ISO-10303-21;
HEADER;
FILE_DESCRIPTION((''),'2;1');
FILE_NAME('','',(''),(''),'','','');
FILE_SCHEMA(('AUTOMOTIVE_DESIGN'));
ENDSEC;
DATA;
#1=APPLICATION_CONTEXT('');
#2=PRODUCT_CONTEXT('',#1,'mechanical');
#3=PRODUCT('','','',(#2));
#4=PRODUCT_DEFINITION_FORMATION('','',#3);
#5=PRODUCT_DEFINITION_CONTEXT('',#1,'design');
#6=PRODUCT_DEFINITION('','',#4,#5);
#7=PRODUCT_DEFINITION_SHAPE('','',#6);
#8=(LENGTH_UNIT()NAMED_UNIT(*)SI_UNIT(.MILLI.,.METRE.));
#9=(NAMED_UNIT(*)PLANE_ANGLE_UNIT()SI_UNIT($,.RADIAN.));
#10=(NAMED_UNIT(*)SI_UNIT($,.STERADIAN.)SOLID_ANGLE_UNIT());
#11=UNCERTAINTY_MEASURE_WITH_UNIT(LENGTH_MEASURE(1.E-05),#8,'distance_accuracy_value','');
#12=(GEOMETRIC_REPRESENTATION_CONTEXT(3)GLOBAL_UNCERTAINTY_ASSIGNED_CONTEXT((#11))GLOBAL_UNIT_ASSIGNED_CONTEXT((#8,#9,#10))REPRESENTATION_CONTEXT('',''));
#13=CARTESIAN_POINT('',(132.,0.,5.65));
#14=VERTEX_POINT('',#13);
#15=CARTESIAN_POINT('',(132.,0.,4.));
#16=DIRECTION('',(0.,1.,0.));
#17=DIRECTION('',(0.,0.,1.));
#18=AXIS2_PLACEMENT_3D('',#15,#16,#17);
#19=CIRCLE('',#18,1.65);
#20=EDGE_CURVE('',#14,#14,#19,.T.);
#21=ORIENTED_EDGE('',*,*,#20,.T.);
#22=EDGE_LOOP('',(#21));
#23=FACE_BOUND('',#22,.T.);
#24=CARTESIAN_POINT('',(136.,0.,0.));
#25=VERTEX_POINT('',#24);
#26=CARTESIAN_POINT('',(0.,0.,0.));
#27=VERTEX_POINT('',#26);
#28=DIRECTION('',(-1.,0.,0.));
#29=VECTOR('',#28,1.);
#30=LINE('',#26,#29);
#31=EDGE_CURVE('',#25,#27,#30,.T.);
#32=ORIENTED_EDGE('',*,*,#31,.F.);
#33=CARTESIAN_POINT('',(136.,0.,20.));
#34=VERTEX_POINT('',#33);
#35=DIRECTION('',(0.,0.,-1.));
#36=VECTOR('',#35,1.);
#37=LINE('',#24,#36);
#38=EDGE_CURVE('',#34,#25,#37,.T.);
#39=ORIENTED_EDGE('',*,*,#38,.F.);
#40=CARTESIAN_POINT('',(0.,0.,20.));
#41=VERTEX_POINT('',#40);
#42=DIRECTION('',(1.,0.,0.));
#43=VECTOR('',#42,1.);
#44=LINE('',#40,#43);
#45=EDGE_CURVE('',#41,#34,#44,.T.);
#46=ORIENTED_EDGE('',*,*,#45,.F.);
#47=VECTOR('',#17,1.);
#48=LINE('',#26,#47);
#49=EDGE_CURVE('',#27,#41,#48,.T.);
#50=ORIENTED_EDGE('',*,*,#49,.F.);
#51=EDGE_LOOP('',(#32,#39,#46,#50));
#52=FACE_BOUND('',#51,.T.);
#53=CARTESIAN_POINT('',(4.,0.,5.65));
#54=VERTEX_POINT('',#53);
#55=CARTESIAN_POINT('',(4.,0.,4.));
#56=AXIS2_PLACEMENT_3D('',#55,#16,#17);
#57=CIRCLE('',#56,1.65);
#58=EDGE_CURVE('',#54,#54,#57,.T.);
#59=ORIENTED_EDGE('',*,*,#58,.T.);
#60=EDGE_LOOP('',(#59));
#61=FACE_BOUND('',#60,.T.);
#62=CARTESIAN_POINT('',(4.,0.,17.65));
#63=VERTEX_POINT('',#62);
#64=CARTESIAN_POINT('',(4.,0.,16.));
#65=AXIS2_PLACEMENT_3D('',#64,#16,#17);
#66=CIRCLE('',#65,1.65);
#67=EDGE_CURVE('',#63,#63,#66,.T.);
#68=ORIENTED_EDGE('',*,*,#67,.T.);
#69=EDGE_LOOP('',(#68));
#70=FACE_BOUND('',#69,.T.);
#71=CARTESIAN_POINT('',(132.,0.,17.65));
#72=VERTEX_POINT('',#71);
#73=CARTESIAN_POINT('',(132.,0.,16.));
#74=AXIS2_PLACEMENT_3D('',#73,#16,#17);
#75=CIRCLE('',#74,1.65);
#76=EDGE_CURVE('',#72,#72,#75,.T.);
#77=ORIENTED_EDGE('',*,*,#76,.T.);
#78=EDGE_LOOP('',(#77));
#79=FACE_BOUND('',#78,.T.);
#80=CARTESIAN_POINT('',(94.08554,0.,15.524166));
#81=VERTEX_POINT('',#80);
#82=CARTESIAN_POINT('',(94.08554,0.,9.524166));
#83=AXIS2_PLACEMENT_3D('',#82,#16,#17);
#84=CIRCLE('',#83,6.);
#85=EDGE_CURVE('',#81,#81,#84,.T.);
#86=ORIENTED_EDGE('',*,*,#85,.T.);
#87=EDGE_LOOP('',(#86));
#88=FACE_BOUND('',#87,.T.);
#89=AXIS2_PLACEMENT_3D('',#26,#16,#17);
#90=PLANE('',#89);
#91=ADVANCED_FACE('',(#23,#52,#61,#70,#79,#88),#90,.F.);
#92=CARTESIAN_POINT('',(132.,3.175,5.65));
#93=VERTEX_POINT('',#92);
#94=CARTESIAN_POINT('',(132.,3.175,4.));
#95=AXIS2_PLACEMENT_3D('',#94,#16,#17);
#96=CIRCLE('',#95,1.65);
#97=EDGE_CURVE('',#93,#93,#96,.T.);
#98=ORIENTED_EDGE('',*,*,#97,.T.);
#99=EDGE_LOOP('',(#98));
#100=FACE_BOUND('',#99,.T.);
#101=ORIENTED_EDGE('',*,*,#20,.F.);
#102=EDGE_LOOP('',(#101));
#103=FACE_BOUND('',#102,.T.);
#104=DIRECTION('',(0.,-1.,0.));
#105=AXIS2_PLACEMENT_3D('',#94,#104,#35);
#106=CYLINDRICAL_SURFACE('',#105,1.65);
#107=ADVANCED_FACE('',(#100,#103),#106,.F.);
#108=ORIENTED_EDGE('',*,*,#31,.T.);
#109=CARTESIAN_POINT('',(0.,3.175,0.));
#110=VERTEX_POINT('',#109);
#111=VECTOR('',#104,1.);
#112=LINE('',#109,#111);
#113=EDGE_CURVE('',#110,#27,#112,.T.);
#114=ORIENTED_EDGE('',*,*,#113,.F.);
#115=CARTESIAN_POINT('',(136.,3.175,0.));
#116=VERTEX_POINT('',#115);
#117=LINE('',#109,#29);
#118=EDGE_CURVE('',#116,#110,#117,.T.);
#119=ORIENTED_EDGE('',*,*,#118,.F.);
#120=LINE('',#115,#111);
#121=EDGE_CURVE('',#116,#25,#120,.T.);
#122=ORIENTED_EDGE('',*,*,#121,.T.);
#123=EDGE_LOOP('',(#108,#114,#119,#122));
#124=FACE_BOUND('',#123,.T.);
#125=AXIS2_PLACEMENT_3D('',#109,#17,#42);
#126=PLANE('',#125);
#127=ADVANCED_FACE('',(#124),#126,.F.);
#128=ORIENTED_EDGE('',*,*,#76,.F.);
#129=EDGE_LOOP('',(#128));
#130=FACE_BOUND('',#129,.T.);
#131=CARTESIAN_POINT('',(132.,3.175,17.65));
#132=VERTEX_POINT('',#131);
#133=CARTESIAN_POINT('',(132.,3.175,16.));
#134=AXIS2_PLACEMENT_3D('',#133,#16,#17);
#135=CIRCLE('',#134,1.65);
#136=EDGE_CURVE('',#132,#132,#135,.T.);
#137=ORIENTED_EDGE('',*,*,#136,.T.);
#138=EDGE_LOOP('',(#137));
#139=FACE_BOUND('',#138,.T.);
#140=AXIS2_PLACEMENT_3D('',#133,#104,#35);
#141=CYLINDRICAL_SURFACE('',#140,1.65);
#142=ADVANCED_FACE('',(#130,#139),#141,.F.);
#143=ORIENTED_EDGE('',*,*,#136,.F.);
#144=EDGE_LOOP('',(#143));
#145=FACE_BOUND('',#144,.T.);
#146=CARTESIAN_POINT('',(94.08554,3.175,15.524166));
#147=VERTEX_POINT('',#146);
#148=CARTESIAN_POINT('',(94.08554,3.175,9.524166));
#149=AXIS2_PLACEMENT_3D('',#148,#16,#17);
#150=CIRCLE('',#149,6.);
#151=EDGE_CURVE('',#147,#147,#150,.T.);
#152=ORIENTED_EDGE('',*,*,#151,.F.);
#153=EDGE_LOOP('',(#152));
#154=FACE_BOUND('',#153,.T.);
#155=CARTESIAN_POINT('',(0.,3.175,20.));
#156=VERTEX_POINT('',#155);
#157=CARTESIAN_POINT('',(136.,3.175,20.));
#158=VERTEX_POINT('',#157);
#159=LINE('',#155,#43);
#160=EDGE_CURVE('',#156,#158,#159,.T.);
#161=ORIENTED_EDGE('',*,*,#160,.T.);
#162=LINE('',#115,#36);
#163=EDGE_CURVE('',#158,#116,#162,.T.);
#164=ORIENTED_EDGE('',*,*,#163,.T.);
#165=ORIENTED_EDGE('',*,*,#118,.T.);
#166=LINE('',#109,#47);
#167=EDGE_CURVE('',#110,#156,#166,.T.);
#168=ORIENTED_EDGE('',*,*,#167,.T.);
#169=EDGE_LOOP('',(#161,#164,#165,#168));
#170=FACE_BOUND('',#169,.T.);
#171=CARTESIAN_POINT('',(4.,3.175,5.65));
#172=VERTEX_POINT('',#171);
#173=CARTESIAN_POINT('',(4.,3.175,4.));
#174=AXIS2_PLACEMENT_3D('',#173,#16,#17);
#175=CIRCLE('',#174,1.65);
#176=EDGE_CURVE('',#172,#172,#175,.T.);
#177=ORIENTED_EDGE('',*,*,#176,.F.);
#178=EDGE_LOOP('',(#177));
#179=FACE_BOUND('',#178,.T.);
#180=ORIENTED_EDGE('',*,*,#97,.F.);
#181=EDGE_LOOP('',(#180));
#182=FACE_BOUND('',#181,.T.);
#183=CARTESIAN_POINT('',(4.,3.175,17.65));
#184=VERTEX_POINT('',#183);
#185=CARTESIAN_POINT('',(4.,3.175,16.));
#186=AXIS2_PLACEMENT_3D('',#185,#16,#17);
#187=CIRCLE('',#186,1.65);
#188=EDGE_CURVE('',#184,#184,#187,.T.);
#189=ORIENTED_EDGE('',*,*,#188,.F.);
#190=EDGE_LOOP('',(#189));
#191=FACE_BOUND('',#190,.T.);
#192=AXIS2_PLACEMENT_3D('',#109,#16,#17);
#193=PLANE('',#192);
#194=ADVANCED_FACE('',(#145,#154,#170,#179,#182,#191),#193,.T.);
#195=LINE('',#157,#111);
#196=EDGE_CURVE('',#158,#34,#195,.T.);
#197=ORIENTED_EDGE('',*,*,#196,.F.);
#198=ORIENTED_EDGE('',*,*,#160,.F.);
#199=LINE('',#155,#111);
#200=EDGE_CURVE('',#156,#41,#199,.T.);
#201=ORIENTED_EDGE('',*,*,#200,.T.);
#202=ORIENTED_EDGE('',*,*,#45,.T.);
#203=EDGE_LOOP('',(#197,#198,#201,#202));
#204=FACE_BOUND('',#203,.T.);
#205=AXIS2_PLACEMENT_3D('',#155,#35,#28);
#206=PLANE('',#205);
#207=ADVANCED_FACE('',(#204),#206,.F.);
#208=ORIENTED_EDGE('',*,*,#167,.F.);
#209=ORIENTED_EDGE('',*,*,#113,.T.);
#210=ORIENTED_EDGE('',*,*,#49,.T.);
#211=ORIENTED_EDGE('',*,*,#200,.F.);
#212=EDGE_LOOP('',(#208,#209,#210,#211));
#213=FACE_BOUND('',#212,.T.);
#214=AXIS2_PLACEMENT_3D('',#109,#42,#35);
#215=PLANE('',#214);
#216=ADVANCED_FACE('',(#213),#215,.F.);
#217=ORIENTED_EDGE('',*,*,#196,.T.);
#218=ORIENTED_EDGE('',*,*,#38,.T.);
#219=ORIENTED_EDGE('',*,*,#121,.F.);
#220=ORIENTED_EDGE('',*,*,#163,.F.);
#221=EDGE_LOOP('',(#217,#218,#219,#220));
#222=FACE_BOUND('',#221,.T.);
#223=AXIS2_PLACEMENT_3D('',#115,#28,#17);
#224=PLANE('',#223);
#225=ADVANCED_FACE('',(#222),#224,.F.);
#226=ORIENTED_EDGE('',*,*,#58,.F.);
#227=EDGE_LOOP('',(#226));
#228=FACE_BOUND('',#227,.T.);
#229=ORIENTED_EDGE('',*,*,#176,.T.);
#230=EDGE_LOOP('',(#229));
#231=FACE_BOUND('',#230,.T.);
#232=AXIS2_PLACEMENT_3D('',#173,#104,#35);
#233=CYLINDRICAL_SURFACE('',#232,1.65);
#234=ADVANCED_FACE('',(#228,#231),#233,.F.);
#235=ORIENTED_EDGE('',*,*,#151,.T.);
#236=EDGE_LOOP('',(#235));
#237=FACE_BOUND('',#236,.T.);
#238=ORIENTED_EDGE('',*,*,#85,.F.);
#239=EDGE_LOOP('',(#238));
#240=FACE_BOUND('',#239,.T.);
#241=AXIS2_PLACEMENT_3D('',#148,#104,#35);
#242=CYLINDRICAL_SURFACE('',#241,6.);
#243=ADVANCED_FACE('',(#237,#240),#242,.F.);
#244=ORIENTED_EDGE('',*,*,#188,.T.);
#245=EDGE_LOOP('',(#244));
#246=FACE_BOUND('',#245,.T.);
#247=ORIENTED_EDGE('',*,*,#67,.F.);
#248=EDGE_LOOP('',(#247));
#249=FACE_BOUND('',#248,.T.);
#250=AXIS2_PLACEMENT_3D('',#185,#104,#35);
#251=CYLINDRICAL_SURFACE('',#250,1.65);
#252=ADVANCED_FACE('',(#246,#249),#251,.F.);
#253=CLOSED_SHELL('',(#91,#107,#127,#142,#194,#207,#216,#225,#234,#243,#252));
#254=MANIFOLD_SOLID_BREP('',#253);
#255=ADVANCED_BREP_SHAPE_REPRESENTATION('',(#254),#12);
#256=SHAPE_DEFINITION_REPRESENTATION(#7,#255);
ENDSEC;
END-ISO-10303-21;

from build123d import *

# Parameters (mm, degrees)
SKETCH1_W           = 136
SKETCH1_H           = 20
SKETCH1_R           = 1.65
SKETCH1_R_2         = 6
BOSS_EXTRUDE1_DEPTH = 3.175


with BuildPart() as part:
    # Sketch1 → Boss-Extrude1 (new body)
    with BuildSketch(Plane(origin=(0, 0, 0), x_dir=(1, 0, 0), z_dir=(0, 1, 0))):
        with Locations((68, -10)):
            Rectangle(SKETCH1_W, SKETCH1_H)
        with Locations(Location((4, -4, 0), (0, 0, 270))):
            Circle(SKETCH1_R, mode=Mode.SUBTRACT)
        with Locations(Location((132, -4, 0), (0, 0, 270))):
            Circle(SKETCH1_R, mode=Mode.SUBTRACT)
        with Locations(Location((94.08554011, -9.52416591, 0), (0, 0, 270))):
            Circle(SKETCH1_R_2, mode=Mode.SUBTRACT)
        with Locations(Location((4, -16, 0), (0, 0, 270))):
            Circle(SKETCH1_R, mode=Mode.SUBTRACT)
        with Locations(Location((132, -16, 0), (0, 0, 270))):
            Circle(SKETCH1_R, mode=Mode.SUBTRACT)
    extrude(amount=BOSS_EXTRUDE1_DEPTH)


solid = part.part
